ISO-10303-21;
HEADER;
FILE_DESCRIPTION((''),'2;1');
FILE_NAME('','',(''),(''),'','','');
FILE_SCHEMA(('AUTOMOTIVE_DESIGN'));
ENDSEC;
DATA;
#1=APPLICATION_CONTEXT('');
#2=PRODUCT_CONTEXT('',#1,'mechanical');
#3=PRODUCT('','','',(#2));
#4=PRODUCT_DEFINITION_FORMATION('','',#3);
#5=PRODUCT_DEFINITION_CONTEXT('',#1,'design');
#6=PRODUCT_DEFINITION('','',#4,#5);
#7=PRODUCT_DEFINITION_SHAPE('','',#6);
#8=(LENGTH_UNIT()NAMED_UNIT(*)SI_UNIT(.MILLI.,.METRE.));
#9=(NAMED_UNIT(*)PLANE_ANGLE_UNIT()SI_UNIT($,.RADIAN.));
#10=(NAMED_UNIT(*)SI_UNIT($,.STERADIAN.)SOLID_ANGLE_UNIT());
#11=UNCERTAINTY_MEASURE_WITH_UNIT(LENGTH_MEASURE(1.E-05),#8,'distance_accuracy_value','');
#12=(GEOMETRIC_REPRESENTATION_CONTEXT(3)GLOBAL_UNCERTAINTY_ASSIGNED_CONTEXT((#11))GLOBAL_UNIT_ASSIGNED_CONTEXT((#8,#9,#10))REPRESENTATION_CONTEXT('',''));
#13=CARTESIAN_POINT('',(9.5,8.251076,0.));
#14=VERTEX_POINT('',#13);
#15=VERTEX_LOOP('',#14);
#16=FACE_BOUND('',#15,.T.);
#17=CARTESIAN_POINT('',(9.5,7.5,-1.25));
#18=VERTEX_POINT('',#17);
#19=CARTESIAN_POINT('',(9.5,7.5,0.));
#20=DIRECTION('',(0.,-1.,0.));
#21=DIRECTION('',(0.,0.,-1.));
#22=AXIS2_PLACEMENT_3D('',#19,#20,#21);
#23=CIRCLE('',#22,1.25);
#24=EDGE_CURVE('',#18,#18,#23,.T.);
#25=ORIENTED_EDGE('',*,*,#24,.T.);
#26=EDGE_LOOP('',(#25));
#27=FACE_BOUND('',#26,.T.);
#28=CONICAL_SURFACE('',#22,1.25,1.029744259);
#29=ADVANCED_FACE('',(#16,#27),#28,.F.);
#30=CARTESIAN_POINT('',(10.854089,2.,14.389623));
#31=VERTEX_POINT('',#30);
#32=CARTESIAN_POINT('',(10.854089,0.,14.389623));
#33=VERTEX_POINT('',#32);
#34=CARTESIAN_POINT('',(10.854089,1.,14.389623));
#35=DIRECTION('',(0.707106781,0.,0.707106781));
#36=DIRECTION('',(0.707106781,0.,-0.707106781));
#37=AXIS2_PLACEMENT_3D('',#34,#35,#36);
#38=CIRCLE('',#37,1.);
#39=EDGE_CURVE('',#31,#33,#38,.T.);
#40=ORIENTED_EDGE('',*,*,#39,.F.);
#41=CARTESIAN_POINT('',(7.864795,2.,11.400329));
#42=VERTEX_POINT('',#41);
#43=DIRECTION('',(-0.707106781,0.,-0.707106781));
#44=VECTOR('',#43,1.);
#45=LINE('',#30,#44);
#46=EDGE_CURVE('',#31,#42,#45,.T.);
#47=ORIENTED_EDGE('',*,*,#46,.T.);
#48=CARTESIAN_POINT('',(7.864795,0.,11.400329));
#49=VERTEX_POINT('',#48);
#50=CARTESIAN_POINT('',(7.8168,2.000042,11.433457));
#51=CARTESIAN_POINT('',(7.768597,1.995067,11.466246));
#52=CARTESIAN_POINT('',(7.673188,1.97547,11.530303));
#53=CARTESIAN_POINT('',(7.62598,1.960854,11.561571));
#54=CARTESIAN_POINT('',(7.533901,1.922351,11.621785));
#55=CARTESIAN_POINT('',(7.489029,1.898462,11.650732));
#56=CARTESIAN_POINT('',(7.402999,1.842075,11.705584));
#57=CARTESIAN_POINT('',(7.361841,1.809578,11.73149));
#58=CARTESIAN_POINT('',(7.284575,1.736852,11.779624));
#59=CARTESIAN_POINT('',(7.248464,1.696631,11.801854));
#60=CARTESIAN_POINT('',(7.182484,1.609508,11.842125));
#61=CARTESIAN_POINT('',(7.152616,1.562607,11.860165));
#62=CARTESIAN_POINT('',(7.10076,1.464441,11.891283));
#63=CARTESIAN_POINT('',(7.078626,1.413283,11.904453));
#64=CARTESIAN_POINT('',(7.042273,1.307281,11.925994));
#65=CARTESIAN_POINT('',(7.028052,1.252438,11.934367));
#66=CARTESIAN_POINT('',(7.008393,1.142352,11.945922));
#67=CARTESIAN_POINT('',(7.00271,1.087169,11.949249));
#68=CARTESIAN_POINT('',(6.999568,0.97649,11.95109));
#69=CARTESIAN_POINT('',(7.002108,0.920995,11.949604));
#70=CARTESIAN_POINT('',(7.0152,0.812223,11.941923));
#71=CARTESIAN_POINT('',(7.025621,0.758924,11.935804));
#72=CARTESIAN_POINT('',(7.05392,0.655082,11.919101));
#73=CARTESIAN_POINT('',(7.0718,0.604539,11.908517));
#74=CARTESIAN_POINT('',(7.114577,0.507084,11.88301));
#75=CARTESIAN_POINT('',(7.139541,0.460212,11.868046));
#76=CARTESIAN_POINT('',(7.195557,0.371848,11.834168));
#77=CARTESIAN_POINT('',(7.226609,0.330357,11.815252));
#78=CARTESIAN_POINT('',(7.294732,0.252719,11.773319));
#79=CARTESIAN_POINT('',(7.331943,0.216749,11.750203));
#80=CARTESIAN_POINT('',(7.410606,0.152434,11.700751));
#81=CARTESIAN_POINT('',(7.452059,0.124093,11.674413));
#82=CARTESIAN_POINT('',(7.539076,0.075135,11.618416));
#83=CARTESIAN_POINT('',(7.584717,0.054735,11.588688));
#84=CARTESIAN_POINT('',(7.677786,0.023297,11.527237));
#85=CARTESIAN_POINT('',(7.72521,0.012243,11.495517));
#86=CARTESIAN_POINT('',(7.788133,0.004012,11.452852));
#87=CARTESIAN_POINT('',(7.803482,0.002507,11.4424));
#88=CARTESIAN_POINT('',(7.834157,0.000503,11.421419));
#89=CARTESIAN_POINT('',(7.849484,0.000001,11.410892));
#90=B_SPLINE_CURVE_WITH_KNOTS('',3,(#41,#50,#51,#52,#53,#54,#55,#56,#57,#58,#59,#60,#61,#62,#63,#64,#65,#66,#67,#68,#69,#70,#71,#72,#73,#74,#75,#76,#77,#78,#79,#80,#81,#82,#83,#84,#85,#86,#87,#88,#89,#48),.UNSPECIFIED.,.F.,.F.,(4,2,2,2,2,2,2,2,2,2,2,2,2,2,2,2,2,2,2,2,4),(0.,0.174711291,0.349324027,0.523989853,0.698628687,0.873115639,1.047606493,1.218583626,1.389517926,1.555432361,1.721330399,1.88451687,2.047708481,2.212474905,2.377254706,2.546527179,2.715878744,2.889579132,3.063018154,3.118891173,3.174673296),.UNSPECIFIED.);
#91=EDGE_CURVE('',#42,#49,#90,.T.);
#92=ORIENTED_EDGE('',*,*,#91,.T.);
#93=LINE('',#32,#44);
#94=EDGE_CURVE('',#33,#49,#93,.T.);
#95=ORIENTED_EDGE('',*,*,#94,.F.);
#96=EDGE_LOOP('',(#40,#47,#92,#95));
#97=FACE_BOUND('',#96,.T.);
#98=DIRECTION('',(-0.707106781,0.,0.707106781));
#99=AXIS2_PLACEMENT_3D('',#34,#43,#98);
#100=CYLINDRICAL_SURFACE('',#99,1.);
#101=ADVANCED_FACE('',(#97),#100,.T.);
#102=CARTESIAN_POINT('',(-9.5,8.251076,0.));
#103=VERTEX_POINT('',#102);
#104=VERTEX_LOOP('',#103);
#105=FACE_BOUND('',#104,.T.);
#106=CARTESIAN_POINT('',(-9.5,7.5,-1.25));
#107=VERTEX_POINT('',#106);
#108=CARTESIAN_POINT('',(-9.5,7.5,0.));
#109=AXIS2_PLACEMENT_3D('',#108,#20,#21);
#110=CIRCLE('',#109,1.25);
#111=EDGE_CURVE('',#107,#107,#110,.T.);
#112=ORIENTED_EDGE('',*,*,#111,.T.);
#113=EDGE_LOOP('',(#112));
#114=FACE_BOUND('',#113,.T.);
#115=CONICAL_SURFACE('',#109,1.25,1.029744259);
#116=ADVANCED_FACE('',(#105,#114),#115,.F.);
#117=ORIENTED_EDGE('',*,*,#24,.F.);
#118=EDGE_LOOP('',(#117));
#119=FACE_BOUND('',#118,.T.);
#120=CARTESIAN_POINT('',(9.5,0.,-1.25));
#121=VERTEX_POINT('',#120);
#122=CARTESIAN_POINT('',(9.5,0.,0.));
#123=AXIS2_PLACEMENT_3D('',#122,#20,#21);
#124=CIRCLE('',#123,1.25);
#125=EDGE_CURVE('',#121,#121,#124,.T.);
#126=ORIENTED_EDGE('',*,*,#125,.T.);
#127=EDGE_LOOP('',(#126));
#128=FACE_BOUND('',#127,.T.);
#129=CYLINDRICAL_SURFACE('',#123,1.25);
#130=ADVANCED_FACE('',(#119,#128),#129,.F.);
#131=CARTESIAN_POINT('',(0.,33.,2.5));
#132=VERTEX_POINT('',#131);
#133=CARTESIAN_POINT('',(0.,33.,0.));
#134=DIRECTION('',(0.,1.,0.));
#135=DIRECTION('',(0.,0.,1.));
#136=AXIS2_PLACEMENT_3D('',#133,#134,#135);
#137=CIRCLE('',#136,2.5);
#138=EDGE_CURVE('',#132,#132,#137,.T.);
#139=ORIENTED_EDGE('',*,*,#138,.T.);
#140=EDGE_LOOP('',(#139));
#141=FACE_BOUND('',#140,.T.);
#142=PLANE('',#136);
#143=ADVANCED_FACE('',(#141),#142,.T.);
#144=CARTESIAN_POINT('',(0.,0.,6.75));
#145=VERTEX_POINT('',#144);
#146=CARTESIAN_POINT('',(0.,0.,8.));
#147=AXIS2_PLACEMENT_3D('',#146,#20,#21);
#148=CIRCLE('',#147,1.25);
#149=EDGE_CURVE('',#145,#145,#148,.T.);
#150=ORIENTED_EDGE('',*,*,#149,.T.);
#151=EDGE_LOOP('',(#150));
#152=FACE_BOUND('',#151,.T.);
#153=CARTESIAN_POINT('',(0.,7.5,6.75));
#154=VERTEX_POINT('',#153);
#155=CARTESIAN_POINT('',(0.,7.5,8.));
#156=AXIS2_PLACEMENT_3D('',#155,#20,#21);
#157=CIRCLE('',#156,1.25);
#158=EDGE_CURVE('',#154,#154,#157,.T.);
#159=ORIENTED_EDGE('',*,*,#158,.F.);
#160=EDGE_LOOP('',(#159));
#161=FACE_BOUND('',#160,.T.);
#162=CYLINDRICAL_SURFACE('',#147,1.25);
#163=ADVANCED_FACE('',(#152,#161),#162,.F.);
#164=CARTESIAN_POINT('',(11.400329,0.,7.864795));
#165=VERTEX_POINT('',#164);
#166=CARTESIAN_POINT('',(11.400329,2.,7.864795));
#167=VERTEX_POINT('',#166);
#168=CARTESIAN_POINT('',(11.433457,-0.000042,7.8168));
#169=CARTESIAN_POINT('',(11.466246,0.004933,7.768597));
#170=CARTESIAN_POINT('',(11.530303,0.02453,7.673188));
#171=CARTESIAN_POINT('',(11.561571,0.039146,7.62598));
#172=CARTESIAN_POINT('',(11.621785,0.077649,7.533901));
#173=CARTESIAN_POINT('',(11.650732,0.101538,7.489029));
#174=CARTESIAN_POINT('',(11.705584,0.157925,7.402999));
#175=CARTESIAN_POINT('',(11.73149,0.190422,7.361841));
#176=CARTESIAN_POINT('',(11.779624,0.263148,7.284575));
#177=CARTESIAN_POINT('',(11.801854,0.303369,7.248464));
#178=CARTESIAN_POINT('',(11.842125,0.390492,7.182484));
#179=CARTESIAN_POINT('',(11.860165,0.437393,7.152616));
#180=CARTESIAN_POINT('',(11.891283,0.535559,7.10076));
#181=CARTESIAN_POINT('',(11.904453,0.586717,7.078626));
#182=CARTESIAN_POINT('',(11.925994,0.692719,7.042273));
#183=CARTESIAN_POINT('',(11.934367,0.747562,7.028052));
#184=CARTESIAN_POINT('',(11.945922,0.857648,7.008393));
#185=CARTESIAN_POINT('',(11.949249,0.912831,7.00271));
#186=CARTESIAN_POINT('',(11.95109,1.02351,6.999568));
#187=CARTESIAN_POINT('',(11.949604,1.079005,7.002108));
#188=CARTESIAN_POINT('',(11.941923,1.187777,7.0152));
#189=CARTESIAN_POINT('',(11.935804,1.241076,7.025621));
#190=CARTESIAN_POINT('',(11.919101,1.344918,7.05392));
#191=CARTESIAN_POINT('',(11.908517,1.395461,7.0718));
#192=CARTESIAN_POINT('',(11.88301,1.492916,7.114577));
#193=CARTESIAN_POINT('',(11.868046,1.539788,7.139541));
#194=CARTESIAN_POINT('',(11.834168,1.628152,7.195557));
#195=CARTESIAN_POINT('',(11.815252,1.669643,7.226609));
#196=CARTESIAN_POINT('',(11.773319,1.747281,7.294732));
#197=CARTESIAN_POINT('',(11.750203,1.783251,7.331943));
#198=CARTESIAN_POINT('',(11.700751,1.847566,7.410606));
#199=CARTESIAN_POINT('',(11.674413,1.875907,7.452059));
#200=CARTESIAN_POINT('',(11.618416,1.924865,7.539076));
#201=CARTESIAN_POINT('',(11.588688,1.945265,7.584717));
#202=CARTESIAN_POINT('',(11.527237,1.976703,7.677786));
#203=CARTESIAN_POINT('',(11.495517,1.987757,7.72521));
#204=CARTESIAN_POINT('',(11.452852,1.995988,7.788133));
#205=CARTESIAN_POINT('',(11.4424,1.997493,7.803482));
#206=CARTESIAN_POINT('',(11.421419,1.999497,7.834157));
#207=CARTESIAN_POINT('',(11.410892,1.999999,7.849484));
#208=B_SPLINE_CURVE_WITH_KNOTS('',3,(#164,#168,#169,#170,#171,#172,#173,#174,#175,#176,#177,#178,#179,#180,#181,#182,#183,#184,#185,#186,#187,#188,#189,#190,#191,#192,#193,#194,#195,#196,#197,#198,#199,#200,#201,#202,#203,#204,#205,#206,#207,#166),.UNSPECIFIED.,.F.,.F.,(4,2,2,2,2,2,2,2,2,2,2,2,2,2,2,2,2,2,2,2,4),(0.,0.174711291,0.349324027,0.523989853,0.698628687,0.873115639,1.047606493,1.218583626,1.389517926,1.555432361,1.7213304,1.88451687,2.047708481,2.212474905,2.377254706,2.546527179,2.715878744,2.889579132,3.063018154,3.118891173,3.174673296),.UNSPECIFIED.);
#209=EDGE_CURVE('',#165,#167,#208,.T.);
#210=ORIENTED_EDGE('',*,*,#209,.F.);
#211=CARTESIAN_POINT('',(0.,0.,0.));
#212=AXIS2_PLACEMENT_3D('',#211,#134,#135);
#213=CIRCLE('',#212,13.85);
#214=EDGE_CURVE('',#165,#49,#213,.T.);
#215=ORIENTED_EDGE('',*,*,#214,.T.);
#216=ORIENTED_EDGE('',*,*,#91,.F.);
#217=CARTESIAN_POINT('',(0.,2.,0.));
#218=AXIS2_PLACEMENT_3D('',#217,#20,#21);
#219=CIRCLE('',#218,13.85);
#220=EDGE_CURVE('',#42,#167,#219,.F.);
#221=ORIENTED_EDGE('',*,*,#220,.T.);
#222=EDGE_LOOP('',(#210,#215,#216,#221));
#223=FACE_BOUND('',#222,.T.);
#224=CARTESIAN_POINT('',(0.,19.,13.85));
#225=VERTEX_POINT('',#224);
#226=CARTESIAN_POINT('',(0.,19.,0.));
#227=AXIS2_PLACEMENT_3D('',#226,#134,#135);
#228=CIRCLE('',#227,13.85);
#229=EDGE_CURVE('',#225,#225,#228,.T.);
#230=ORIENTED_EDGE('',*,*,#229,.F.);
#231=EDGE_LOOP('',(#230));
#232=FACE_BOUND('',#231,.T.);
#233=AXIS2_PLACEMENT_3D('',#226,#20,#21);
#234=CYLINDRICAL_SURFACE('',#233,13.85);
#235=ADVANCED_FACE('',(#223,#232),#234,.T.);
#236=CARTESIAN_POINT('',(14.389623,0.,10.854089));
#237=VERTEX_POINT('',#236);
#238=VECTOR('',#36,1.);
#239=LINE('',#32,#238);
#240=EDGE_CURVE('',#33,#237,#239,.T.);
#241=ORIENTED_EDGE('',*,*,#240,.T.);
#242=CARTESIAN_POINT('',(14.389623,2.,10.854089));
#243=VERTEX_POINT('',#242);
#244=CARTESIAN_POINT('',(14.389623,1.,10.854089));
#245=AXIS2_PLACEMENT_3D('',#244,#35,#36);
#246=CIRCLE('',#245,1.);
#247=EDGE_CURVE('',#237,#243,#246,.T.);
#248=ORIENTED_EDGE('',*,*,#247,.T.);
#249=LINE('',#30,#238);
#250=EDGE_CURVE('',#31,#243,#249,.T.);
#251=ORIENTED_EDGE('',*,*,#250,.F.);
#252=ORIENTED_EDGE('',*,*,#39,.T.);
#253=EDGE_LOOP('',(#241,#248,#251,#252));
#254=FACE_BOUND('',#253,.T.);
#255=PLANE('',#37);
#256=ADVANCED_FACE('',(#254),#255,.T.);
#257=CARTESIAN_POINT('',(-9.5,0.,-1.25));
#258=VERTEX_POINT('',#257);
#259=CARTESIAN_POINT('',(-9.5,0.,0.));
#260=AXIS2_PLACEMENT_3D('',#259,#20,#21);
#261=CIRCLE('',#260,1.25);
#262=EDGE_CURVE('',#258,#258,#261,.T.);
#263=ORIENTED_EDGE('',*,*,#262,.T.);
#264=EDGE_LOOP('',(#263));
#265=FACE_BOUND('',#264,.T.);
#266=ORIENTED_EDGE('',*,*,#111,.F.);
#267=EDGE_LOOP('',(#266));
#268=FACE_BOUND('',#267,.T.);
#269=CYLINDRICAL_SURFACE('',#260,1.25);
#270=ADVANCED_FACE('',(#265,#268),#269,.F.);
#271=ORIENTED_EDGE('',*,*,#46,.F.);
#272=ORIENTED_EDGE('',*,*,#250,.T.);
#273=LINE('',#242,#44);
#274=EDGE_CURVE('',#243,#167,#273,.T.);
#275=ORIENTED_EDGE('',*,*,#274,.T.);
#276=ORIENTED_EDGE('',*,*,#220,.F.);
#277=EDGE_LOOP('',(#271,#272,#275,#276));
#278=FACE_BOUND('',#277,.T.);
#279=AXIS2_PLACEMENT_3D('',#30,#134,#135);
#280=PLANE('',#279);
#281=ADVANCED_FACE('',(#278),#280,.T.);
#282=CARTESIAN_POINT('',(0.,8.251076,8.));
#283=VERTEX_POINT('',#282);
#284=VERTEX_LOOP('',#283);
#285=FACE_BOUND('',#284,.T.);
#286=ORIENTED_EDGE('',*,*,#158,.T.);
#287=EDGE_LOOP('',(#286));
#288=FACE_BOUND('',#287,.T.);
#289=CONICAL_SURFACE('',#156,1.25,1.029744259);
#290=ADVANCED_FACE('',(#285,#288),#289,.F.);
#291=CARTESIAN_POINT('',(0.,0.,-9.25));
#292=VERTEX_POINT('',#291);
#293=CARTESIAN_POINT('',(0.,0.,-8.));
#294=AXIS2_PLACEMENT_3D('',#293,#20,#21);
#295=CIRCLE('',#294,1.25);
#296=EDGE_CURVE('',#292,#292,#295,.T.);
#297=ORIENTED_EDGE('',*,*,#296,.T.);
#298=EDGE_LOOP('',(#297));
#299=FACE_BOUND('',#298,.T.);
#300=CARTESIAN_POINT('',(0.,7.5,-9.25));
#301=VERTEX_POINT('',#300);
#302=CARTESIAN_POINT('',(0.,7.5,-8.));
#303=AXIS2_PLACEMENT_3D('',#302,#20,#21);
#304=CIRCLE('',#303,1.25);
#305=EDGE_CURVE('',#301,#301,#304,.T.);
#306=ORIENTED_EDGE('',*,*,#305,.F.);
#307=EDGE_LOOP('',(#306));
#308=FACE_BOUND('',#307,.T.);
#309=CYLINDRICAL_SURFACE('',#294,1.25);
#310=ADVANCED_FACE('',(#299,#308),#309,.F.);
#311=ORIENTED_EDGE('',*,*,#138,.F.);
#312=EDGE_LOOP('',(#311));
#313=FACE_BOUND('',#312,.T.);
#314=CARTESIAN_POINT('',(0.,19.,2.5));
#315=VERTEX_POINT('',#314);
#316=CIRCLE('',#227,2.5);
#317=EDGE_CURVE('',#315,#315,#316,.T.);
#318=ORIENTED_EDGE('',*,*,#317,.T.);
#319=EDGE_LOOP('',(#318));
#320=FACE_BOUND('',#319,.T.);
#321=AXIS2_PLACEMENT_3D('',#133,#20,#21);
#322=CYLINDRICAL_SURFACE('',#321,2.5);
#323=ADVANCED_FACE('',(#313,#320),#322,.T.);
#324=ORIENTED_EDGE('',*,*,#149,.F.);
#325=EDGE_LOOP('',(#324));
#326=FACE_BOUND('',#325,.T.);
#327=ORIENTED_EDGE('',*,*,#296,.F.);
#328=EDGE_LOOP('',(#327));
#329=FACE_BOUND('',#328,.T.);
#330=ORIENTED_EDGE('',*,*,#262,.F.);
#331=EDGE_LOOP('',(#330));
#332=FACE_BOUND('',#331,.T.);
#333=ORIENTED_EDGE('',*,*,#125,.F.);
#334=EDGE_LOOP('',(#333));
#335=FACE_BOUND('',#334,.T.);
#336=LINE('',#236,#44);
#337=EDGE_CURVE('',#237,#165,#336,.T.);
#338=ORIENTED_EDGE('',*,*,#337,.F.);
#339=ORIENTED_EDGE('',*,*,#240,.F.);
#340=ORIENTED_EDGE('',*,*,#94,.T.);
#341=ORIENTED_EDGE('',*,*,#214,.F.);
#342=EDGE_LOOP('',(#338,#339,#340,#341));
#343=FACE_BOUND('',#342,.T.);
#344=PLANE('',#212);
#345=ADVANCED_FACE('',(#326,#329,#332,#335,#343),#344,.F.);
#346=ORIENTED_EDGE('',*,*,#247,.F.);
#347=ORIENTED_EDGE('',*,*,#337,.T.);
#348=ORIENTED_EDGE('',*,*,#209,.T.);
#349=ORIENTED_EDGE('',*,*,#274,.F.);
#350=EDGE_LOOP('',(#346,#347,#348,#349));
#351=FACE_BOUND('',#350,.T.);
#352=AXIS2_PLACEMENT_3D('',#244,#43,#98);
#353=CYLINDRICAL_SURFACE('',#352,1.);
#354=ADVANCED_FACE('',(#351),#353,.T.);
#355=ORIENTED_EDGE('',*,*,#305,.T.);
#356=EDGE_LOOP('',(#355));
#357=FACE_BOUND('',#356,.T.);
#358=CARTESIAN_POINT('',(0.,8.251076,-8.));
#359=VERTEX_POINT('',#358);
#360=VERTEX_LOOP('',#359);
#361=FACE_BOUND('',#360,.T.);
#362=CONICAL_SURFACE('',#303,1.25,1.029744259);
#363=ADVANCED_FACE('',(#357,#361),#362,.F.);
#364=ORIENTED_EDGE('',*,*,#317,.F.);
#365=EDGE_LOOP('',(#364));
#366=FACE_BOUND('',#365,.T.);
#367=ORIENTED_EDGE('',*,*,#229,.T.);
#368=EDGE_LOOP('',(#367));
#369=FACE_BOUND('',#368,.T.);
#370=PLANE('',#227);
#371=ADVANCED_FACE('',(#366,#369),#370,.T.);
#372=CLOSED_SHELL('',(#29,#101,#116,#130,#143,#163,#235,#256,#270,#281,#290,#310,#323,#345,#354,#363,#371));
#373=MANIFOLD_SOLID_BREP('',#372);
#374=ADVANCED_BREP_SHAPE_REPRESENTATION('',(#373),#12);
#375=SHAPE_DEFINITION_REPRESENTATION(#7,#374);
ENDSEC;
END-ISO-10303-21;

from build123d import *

# Parameters (mm, degrees)
SKETCH1_R                 = 13.85
BOSS_EXTRUDE1_DEPTH       = 19
SKETCH2_R                 = 2.5
BOSS_EXTRUDE2_DEPTH       = 14
M3X0_5_TAPPED_HOLE1_D     = 2.5
M3X0_5_TAPPED_HOLE1_DEPTH = 7.5
M3X0_5_TAPPED_HOLE1_TIP   = 0.751075774
BOSS_EXTRUDE3_START       = -0.449533
BOSS_EXTRUDE3_DEPTH       = 4.449533


with BuildPart() as part:
    # Sketch1 → Boss-Extrude1 (new body)
    with BuildSketch(Plane(origin=(0, 0, 0), x_dir=(1, 0, 0), z_dir=(0, 1, 0))):
        Circle(SKETCH1_R)
    extrude(amount=BOSS_EXTRUDE1_DEPTH)

    # Sketch2 → Boss-Extrude2 (add)
    with BuildSketch(Plane(origin=(0, 19, 0), x_dir=(1, 0, 0), z_dir=(0, 1, 0))):
        Circle(SKETCH2_R)
    extrude(amount=BOSS_EXTRUDE2_DEPTH)

    # M3x0.5 Tapped Hole1
    with Locations(Plane(origin=(0, 0, 0), x_dir=(-1, 0, 0), z_dir=(0, -1, 0))):
        with Locations((0, -8), (9.5, 0), (0, 8), (-9.5, 0)):
            Hole(M3X0_5_TAPPED_HOLE1_D / 2, depth=M3X0_5_TAPPED_HOLE1_DEPTH)
            with Locations((0, 0, -(M3X0_5_TAPPED_HOLE1_DEPTH + M3X0_5_TAPPED_HOLE1_TIP / 2))):  # 118° drill point
                Cone(0, M3X0_5_TAPPED_HOLE1_D / 2, M3X0_5_TAPPED_HOLE1_TIP, mode=Mode.SUBTRACT)

    # Sketch7 → Boss-Extrude3 (add)
    with BuildSketch(Plane(origin=(9.793428919, 0, 9.793428919), x_dir=(0.707106781, 0, -0.707106781), z_dir=(0.707106781, 0, 0.707106781)).offset(BOSS_EXTRUDE3_START)):
        with BuildLine():
            Line((-2.5, 2), (2.5, 2))
            ThreePointArc((2.5, 2), (3.5, 1), (2.5, 0))
            Line((2.5, 0), (-2.5, 0))
            ThreePointArc((-2.5, 0), (-3.5, 1), (-2.5, 2))
        make_face()
    extrude(amount=BOSS_EXTRUDE3_DEPTH)


solid = part.part
